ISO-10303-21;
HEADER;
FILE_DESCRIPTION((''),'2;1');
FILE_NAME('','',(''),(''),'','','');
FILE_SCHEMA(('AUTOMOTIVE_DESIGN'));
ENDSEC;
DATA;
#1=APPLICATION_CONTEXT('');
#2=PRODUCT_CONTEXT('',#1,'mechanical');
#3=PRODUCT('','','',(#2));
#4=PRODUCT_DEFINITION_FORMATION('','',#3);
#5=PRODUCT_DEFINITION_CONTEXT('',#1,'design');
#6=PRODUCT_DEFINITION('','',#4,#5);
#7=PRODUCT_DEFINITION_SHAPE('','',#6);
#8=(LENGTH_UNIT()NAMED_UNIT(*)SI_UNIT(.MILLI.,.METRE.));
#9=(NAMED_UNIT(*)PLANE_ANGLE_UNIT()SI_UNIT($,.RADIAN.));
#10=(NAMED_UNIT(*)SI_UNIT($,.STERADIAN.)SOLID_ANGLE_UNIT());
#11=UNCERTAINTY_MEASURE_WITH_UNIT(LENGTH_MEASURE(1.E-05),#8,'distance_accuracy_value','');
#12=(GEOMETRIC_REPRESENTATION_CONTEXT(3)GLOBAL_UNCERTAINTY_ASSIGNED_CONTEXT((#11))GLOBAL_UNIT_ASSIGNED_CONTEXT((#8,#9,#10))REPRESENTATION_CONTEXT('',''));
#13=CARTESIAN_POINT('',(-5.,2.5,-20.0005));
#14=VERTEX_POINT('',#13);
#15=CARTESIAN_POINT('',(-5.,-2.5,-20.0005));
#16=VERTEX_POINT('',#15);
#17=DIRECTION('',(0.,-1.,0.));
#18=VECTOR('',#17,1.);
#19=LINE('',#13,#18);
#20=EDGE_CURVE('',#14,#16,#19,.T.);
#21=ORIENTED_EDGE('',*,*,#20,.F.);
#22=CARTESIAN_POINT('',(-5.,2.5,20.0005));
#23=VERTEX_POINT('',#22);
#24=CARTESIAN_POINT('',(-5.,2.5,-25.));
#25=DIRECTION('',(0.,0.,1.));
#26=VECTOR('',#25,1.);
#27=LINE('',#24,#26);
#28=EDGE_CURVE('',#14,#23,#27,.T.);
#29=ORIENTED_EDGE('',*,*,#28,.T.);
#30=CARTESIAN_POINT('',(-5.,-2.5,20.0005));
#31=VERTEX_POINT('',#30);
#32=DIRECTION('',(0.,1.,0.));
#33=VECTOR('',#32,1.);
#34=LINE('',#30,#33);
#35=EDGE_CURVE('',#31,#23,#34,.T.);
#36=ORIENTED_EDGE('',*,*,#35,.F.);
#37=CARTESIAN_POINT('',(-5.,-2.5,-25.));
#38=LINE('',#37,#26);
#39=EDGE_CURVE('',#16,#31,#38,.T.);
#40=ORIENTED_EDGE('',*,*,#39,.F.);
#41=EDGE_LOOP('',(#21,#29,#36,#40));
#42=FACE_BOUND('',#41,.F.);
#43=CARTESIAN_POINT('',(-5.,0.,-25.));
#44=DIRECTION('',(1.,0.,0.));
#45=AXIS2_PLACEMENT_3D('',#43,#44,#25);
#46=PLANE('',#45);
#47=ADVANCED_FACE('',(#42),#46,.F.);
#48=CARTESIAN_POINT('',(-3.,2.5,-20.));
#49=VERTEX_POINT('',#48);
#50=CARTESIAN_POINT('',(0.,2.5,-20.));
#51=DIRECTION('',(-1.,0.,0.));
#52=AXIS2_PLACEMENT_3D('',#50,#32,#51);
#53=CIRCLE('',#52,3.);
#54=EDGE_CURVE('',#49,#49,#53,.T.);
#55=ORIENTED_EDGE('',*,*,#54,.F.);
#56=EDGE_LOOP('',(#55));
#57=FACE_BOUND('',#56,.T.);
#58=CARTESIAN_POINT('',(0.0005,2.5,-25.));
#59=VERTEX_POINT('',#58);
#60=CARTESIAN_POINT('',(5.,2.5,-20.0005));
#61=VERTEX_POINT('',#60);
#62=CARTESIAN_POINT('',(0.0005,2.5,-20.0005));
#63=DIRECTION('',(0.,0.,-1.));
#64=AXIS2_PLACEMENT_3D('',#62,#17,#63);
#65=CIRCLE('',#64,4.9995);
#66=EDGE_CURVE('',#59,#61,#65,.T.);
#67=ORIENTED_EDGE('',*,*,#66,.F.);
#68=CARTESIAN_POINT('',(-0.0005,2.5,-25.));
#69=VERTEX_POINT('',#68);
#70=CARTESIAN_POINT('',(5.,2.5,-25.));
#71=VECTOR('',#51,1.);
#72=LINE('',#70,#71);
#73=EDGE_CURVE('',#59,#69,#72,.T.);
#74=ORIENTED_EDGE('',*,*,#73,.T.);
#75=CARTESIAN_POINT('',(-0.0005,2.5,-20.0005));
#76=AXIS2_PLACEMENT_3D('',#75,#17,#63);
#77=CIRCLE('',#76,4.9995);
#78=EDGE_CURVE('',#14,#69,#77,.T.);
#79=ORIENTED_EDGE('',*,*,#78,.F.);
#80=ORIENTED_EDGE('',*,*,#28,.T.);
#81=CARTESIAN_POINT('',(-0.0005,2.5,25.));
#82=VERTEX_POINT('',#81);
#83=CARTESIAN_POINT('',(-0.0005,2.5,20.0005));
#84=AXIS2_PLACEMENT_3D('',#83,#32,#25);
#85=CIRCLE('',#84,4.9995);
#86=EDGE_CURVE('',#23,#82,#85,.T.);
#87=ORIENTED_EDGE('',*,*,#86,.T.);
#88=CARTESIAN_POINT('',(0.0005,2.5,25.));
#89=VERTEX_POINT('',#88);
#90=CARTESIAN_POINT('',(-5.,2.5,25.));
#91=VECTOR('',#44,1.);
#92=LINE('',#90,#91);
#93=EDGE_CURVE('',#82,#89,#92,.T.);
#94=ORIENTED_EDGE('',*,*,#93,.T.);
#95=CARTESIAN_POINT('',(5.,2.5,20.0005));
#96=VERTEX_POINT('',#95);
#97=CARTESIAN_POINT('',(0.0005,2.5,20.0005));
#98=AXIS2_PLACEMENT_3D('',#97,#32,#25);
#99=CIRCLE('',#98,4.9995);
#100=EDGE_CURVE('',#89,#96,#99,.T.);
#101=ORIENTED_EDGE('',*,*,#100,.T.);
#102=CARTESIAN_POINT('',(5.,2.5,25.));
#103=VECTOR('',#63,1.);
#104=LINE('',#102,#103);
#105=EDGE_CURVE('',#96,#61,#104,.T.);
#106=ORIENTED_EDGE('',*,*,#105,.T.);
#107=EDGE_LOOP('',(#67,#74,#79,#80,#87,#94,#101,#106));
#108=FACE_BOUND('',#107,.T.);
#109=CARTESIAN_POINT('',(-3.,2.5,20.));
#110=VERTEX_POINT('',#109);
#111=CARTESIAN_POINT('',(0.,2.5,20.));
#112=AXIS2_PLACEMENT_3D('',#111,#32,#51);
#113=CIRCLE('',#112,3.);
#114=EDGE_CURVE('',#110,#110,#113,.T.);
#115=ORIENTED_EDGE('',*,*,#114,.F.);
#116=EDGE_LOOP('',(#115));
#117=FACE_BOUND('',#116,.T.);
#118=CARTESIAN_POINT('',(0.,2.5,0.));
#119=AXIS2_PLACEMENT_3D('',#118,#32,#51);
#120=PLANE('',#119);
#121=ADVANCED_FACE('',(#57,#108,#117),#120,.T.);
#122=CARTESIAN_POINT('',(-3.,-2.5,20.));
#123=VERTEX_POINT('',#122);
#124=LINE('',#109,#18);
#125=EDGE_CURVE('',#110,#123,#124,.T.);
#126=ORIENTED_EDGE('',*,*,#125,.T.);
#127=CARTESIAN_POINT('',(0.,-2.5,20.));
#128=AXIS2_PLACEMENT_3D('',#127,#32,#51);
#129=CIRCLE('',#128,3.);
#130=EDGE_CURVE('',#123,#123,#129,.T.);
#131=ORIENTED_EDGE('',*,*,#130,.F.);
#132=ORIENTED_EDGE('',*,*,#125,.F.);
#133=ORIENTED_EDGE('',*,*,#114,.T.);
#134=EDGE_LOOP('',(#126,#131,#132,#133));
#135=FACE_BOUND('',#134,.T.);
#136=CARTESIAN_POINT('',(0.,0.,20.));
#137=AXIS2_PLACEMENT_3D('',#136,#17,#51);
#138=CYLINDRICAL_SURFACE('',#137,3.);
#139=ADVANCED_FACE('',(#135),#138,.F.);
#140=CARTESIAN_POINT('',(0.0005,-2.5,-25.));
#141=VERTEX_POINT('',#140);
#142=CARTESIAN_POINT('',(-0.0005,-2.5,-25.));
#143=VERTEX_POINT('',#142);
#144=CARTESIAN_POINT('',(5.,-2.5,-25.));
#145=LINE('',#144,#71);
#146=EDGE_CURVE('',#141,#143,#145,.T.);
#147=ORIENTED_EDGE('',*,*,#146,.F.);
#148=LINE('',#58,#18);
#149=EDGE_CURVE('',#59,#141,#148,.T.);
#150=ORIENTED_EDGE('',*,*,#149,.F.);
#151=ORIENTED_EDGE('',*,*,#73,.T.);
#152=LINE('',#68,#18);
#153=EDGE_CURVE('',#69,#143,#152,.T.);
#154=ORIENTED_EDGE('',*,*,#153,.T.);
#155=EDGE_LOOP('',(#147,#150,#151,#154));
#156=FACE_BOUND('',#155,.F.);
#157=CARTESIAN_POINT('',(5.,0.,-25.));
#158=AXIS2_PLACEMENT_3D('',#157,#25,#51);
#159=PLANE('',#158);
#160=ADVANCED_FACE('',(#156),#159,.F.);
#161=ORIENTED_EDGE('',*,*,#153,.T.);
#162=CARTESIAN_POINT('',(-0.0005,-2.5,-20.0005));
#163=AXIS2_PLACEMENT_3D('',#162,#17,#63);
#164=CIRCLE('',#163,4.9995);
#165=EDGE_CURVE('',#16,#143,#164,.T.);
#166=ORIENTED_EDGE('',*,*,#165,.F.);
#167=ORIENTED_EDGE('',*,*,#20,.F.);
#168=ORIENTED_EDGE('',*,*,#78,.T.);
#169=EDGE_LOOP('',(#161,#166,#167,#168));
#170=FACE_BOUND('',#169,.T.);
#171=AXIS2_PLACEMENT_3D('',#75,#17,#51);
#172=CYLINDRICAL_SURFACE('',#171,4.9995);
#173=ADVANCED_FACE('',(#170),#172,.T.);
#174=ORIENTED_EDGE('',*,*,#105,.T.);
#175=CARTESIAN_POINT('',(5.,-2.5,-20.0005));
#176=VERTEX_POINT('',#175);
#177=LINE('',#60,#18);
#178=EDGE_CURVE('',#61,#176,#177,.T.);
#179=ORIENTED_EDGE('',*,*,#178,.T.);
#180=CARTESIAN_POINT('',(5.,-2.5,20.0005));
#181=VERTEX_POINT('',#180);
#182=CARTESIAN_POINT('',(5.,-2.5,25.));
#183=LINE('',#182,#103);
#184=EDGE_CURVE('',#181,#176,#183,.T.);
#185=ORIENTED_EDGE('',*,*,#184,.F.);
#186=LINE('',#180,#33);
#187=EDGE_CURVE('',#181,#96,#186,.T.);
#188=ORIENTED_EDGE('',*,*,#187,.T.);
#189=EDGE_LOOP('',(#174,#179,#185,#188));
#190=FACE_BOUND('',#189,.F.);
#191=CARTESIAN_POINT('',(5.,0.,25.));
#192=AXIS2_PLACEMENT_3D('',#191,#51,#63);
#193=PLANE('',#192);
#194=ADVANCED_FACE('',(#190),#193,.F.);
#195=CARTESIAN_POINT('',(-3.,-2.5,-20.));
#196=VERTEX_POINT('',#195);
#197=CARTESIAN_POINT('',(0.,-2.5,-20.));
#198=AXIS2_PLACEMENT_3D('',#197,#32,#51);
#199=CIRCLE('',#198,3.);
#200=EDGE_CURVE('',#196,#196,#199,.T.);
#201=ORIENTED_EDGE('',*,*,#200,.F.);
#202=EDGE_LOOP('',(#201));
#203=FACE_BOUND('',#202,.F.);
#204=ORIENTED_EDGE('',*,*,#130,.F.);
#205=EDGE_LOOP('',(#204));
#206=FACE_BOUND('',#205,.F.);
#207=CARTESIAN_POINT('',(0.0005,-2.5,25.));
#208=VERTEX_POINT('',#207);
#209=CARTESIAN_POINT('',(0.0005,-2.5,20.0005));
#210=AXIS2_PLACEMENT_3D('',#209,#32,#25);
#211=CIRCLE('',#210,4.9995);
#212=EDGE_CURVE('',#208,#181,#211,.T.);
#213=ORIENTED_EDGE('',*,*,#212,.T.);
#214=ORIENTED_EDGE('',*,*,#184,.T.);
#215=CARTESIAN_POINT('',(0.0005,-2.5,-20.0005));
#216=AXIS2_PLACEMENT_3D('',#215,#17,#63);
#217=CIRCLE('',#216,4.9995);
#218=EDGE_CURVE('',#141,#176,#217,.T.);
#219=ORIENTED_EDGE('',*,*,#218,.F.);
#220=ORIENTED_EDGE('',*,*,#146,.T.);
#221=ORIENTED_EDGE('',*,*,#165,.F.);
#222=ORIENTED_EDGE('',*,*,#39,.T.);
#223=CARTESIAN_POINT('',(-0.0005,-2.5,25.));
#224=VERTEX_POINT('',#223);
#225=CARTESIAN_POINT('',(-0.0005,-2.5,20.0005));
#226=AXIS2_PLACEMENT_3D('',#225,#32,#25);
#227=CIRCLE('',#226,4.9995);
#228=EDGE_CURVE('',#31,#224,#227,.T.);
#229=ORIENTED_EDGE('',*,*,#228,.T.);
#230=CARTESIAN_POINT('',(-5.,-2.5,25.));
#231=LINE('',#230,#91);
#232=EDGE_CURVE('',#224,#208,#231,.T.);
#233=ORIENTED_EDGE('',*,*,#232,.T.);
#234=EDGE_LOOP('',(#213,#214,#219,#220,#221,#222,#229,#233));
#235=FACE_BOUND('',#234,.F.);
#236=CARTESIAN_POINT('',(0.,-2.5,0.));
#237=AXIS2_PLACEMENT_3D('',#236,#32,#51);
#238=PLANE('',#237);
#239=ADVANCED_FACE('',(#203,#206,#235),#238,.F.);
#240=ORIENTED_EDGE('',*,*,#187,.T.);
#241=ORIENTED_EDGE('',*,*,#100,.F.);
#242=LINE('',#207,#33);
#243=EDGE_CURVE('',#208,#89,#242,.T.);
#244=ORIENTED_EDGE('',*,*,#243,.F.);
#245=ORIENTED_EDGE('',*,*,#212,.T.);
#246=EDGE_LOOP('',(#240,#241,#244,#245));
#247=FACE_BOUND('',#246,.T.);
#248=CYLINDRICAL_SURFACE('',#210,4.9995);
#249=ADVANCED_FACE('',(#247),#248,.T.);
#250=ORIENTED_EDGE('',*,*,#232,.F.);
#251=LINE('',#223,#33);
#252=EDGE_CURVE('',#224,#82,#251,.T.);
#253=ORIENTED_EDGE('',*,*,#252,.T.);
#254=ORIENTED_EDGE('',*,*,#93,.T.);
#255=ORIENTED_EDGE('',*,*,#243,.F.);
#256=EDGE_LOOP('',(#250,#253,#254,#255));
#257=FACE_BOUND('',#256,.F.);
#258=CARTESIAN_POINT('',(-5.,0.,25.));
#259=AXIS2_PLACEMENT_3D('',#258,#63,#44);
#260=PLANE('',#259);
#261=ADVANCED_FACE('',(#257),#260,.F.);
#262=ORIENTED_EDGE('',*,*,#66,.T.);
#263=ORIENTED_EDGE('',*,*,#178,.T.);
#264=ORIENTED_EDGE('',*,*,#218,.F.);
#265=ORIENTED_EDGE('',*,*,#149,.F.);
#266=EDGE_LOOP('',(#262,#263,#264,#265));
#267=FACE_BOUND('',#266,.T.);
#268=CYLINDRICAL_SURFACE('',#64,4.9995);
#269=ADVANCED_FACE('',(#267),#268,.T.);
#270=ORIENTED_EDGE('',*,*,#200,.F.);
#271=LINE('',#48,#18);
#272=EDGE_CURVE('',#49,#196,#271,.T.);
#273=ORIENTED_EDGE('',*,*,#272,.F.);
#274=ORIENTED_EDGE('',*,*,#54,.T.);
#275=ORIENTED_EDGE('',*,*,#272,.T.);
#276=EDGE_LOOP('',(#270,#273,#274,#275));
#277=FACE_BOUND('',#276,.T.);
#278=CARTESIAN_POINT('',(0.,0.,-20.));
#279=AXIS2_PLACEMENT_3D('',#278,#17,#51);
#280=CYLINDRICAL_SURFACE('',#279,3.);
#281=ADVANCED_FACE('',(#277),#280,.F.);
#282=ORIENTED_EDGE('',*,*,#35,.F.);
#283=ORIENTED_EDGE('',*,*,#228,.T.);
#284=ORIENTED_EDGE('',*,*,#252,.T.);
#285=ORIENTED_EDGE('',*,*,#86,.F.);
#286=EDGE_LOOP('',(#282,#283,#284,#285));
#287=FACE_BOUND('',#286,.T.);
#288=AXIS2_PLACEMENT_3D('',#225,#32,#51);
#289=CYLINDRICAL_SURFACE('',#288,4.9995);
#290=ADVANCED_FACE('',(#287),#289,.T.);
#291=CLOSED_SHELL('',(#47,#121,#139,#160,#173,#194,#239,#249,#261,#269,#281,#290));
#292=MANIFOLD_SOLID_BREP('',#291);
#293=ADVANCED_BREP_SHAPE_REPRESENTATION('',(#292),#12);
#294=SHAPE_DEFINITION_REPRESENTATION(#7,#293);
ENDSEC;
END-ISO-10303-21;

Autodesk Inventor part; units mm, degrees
ref_plane "YZ Plane" through (0, 0, 0) normal (1, 0, 0) x (0, 1, 0)
ref_plane "XZ Plane" through (0, 0, 0) normal (0, 1, 0) x (-1, 0, 0)
ref_plane "XY Plane" through (0, 0, 0) normal (0, 0, 1) x (1, 0, 0)
sketch "Boceto1" plane through (0, 0, 0) normal (0, 1, 0) x (-1, 0, 0)
  line L0 (5, 25) -> (-5, 25)
  line L1 (-5, 25) -> (-5, -25)
  line L2 (-5, -25) -> (5, -25)
  line L3 (5, -25) -> (5, 25)
  line L4 (5, 25) -> (-5, -25) construction
  line L5 (-5, 25) -> (5, -25) construction
  circle A0 centre (0, 20) radius 3
  circle A1 centre (0, -20) radius 3
  point P0 (0, 0)
  dimension "d0" = 10
  dimension "d1" = 50
  dimension "d2" = 6
  dimension "d3" = 6
  dimension "d4" = 5
  dimension "d5" = 5
extrude "Extrusión1" add sketch "Boceto1" along normal mid plane 5
fillet "Empalme1" radius 5 4 edges at (5, 0, 25) (-5, 0, 25) (5, 0, -25) (-5, 0, -25)
properties material "Titanio"
